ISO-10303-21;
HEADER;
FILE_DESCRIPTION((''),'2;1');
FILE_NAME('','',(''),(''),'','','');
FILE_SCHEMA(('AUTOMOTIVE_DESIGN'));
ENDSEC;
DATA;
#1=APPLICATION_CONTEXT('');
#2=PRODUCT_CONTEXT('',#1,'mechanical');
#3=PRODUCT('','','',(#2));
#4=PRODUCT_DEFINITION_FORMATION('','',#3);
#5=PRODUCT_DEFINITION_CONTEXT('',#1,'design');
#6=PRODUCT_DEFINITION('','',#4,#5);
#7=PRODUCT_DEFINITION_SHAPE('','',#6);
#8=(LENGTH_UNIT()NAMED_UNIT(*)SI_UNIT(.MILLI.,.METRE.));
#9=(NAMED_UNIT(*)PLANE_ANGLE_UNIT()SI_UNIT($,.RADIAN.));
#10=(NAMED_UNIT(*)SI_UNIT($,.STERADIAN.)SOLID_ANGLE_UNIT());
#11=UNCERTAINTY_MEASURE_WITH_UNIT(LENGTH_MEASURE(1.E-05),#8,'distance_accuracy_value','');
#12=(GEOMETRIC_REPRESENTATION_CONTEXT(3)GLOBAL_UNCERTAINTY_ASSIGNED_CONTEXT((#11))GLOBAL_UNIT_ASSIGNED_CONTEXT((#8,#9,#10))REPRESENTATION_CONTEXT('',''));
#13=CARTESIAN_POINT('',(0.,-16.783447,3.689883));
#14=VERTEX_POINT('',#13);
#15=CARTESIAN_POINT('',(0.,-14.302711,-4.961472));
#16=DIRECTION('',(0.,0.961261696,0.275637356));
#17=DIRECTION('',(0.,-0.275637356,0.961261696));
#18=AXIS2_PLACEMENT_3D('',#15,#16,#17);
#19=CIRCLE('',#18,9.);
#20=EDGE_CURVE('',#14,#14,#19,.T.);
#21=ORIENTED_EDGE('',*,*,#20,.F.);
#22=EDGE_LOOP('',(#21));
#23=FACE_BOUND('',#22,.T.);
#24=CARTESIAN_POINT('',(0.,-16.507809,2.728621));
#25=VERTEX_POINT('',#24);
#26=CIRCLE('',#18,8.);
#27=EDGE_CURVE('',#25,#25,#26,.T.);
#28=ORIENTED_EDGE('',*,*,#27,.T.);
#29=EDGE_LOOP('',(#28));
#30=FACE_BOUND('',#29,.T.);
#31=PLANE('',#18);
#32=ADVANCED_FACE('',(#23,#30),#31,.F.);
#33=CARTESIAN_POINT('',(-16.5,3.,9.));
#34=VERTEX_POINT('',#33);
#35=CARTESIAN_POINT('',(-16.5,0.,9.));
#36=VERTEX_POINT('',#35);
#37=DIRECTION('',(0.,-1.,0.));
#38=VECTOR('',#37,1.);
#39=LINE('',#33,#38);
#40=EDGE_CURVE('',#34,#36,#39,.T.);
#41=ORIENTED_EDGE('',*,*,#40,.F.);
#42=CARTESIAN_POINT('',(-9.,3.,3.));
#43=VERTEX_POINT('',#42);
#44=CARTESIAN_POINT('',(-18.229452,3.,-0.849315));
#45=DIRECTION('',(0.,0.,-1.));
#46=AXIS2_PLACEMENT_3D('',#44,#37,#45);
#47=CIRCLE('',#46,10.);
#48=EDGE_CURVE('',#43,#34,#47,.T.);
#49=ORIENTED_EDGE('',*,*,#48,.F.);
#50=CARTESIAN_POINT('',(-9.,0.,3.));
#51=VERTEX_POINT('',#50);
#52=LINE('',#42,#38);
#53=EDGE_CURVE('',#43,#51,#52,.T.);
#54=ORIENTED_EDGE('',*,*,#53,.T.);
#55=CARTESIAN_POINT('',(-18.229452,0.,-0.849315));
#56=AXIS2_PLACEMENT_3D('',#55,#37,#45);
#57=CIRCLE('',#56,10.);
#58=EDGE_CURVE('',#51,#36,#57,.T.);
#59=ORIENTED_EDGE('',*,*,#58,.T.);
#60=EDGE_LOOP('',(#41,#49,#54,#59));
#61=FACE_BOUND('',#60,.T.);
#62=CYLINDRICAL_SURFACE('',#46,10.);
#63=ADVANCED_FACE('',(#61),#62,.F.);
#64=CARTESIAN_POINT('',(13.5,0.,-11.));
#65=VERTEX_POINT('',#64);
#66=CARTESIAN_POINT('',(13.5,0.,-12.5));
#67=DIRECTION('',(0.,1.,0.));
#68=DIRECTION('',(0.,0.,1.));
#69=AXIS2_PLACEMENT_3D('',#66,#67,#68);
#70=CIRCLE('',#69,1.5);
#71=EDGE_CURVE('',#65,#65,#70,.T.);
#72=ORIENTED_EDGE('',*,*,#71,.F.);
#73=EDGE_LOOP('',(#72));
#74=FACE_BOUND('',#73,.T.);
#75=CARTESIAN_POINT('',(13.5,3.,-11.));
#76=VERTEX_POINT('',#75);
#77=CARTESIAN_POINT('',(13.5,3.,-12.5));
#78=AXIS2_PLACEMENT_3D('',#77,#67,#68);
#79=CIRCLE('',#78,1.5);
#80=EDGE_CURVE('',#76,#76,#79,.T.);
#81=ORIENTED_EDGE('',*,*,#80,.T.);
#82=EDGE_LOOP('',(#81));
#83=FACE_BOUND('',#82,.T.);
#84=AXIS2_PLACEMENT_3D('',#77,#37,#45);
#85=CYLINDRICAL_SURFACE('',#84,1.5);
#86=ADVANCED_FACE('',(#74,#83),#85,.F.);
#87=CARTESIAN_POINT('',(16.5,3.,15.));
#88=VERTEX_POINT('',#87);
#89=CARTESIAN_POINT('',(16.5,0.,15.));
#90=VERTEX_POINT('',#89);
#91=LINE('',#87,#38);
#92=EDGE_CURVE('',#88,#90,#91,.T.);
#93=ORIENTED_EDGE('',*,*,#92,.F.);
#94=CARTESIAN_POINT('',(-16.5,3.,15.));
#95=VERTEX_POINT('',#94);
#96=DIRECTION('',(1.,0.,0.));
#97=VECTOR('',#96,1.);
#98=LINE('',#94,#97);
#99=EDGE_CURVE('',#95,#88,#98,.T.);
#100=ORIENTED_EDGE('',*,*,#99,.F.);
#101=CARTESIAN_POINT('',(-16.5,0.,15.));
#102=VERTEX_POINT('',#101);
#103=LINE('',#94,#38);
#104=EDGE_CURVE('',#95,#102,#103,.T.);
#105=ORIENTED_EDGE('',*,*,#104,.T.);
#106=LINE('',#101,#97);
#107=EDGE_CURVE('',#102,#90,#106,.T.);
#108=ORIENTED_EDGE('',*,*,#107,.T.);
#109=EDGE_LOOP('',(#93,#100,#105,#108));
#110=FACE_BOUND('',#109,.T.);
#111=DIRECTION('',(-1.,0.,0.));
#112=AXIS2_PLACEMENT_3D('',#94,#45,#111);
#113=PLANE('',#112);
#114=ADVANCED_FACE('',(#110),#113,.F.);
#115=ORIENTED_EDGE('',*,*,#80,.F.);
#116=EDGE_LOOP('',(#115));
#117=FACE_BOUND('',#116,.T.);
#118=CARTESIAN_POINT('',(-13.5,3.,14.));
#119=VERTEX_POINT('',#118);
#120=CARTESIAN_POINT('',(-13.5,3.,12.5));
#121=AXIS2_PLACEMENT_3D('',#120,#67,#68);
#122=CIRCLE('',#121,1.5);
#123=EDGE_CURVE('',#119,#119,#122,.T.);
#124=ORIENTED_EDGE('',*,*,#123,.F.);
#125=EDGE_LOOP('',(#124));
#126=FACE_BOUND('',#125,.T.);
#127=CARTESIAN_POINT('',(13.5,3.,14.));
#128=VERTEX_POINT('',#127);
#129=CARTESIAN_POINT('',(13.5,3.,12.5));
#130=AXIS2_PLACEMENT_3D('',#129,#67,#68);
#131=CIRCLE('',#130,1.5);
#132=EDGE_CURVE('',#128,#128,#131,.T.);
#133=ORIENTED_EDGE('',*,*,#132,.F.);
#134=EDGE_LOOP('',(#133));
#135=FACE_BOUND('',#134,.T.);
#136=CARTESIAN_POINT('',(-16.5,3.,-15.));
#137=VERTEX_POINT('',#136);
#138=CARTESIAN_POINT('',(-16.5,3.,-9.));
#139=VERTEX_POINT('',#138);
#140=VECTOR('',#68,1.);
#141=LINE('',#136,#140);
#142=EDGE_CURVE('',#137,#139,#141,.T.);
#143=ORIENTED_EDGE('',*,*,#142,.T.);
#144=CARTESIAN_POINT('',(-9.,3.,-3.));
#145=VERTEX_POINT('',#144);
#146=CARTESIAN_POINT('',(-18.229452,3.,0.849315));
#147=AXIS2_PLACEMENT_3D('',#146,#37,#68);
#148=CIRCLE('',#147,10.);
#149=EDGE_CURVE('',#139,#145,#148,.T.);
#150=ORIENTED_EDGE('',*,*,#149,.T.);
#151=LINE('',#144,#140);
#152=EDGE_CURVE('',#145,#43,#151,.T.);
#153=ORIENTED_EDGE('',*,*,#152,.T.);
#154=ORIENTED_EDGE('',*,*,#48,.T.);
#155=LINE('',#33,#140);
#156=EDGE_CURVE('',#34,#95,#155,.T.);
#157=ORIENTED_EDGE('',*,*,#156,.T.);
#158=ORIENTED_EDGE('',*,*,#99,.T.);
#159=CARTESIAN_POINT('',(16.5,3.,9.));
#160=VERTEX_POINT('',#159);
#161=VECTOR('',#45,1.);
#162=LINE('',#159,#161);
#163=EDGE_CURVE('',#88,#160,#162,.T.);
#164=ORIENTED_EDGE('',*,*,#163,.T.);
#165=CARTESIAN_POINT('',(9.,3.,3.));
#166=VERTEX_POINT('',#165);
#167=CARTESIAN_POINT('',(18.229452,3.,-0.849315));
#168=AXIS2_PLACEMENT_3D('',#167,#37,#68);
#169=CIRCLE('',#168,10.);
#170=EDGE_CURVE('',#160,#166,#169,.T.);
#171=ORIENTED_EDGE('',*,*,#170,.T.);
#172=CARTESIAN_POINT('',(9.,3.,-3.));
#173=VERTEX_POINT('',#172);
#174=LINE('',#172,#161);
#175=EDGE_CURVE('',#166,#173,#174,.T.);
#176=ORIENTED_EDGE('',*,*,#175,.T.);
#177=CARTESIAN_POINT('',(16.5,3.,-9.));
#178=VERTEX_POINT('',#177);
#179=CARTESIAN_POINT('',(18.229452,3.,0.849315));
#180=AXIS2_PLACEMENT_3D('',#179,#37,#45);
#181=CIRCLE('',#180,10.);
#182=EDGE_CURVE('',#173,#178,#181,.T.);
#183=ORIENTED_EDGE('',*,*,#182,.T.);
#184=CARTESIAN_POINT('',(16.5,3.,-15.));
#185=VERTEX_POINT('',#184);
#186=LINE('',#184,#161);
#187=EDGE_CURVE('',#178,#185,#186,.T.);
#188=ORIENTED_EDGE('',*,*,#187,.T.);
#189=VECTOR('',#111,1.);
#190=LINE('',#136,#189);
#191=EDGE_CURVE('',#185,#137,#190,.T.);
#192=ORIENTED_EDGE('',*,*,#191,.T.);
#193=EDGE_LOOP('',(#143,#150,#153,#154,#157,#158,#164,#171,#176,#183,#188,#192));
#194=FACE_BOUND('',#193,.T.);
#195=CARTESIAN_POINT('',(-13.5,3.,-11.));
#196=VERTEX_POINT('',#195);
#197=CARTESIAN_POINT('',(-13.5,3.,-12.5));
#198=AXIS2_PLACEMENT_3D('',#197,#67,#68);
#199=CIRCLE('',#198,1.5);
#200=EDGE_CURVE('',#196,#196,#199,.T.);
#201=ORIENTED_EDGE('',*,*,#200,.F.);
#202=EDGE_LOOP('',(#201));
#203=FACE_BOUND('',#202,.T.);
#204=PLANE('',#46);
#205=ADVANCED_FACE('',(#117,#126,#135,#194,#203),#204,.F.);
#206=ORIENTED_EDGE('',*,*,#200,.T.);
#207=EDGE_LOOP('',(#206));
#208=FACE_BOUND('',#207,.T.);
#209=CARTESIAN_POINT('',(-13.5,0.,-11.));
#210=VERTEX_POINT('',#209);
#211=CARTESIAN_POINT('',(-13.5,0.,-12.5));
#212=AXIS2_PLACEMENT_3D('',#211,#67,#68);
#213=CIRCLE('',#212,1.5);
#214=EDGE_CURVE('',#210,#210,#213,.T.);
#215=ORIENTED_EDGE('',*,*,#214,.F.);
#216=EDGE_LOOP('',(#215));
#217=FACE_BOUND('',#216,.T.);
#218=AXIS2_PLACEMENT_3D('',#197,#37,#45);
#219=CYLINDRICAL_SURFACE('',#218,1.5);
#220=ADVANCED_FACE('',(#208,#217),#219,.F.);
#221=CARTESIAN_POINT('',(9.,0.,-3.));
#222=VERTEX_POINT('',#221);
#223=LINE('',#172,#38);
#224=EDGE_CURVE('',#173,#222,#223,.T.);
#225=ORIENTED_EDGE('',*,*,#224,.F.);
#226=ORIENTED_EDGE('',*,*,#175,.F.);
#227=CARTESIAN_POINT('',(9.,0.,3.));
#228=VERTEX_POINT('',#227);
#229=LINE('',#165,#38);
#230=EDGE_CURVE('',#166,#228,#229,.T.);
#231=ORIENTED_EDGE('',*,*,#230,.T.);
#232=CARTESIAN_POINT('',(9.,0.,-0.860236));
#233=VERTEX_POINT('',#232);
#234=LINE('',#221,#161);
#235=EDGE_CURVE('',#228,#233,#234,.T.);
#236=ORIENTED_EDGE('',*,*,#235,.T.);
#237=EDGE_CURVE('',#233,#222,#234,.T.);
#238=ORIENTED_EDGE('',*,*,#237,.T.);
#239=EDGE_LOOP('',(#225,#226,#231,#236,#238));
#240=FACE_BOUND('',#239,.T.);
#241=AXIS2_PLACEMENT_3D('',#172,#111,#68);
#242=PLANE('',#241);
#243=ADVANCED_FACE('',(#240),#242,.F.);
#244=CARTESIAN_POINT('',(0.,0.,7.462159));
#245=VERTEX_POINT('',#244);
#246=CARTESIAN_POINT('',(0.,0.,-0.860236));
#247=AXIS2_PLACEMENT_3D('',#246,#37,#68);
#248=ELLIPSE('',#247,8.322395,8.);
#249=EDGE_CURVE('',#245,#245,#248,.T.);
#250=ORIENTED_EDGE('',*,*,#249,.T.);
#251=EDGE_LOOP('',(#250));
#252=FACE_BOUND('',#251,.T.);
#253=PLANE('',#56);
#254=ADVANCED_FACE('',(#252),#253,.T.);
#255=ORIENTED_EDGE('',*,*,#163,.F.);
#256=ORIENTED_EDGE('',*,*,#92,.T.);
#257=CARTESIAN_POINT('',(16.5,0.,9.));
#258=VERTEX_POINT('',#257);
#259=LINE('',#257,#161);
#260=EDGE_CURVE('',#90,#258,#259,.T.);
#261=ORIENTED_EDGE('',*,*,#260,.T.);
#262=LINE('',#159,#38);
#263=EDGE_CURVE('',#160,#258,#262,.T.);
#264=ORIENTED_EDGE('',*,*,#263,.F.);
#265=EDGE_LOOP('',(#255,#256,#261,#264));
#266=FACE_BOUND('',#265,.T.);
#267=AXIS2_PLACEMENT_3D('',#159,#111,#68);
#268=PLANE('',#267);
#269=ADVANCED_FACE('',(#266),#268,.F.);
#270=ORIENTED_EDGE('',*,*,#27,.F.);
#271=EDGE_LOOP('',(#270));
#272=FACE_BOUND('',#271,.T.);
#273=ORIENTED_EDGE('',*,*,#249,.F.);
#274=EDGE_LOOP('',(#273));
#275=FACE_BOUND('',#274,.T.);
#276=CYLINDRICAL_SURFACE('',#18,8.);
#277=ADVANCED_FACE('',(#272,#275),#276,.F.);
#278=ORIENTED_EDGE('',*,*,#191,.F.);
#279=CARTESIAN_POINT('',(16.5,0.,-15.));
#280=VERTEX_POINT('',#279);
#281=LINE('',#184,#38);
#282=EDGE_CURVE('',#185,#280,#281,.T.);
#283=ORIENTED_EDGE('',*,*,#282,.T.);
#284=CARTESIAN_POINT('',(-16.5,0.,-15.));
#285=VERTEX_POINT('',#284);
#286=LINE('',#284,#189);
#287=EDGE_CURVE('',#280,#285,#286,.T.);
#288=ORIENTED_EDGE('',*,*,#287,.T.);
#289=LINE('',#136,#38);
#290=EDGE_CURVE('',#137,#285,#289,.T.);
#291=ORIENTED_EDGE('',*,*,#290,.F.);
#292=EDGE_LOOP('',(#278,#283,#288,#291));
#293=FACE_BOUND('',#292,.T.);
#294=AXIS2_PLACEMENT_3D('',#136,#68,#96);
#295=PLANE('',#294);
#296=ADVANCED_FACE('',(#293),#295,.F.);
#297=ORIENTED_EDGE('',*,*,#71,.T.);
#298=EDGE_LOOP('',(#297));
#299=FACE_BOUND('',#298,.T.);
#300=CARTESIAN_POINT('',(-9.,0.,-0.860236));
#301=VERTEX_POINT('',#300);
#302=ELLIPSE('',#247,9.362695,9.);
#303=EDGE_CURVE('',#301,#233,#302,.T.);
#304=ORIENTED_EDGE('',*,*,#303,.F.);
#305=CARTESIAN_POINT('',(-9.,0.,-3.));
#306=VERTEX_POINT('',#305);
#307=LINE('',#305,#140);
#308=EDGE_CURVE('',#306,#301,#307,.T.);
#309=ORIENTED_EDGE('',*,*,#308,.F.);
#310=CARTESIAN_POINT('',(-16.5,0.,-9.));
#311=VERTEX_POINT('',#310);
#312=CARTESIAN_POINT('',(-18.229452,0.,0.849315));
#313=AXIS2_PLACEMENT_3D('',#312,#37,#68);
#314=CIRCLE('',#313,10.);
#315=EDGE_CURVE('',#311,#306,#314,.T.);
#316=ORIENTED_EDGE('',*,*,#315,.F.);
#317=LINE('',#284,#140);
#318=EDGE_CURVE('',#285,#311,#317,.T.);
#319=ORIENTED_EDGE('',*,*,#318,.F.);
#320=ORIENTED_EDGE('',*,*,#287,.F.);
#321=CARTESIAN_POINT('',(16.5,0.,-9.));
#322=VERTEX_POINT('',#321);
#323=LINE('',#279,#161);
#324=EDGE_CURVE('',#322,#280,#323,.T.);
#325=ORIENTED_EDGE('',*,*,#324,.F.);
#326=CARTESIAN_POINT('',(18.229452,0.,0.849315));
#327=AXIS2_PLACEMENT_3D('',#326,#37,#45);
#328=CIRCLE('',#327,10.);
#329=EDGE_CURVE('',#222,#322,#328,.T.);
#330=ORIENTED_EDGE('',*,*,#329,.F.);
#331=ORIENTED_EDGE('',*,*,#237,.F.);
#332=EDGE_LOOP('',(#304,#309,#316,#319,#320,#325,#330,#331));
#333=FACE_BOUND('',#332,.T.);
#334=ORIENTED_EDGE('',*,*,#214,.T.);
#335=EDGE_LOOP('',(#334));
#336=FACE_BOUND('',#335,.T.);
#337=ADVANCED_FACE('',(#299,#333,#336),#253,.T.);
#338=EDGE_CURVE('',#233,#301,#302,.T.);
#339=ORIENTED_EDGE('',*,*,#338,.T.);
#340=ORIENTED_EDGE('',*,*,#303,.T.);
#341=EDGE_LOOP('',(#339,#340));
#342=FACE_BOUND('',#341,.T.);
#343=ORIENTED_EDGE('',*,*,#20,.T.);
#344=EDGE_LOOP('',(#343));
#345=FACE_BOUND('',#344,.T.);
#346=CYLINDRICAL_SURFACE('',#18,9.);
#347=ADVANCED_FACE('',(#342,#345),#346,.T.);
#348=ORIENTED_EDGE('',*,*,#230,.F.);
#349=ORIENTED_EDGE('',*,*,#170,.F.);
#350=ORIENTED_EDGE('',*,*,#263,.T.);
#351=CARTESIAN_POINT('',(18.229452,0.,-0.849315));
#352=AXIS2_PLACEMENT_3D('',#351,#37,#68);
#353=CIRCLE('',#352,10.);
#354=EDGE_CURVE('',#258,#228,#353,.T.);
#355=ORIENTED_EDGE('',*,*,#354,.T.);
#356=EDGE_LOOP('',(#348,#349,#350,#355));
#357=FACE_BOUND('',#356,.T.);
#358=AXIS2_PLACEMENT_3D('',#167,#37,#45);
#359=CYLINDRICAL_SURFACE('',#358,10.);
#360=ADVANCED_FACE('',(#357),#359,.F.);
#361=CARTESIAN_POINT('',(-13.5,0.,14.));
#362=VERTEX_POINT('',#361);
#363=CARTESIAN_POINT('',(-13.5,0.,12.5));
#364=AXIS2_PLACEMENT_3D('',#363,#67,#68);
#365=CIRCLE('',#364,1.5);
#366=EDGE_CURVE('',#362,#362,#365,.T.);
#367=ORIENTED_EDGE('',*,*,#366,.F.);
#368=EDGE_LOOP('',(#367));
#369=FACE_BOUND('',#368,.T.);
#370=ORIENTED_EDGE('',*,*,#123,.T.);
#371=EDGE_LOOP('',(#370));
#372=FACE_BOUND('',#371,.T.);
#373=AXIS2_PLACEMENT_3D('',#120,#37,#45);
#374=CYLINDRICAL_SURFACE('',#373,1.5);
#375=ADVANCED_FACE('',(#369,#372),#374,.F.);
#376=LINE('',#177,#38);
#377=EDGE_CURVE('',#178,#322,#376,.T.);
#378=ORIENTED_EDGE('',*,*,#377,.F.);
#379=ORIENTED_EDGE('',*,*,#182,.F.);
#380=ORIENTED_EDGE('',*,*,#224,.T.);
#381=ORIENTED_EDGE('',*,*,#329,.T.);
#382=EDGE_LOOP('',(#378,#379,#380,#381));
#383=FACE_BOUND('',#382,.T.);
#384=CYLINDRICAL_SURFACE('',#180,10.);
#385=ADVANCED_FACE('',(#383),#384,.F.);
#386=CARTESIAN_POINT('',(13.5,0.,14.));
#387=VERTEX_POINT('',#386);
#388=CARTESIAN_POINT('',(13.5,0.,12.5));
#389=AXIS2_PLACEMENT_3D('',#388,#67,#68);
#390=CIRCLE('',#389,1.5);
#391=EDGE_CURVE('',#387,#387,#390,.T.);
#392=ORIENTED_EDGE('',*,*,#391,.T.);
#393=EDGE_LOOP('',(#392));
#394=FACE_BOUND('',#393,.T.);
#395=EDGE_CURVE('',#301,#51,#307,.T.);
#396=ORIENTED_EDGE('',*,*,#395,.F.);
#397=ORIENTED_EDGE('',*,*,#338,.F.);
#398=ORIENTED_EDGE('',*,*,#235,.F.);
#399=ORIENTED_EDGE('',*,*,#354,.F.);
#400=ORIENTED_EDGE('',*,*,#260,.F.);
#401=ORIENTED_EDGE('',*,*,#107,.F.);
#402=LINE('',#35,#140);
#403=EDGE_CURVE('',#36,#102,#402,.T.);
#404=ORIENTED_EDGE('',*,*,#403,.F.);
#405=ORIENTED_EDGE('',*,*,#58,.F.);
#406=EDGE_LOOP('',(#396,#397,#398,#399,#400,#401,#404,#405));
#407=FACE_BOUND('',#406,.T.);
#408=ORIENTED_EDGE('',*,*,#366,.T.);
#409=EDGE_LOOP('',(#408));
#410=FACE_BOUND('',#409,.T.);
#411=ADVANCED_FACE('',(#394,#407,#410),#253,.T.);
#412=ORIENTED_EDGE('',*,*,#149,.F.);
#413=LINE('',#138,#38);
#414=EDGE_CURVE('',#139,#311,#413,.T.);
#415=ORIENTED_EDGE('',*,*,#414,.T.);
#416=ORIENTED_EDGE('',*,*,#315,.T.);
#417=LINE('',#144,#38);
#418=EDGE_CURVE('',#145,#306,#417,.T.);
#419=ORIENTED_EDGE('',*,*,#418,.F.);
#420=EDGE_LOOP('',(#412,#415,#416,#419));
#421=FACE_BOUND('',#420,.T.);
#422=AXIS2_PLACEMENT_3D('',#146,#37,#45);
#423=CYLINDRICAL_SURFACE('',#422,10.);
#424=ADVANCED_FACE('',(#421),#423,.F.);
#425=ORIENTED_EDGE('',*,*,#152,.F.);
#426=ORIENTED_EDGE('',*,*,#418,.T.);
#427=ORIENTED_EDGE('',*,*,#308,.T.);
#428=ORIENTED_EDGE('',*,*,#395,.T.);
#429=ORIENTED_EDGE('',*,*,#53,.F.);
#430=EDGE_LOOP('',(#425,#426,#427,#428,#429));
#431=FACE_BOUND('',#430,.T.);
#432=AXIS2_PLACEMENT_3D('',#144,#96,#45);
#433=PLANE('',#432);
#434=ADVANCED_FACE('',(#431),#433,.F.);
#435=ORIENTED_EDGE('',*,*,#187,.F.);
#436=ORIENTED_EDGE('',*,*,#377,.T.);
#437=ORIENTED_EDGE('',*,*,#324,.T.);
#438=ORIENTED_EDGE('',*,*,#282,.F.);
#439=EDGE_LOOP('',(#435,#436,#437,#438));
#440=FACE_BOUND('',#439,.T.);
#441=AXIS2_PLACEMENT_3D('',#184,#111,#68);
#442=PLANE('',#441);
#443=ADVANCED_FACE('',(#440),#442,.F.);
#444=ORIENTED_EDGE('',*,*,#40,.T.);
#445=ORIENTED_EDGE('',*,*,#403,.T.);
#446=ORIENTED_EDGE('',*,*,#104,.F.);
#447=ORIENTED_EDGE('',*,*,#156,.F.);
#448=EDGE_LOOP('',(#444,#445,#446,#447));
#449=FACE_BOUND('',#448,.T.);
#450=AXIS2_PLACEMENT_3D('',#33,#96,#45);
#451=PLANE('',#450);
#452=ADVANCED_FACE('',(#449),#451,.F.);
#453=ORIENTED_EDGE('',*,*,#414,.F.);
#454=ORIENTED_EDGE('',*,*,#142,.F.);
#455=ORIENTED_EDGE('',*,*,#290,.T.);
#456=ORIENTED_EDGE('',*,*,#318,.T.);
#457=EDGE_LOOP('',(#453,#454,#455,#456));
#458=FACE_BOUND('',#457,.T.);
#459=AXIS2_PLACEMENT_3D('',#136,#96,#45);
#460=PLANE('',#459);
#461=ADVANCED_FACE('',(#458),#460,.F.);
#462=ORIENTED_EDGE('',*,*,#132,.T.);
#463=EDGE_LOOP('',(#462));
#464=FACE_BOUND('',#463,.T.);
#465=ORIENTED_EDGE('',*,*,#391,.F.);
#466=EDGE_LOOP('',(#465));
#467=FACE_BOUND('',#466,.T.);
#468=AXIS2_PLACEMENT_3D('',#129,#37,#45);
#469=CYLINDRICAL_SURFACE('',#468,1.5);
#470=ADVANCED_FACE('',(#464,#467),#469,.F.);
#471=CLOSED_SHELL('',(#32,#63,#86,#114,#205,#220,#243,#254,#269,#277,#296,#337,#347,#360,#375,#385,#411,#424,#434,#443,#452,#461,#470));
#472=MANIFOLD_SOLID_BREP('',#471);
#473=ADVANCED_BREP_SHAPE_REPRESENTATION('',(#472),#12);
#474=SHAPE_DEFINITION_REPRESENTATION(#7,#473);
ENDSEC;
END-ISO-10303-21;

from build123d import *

# Parameters (mm, degrees)
SKETCH_1_R          = 1.5
EXTRUDE_1_DEPTH     = 3
SKETCH_3_R          = 9
SKETCH_3_R_2        = 8
EXTRUDE_2_DEPTH     = 18
SKETCH_4_W          = 18
SKETCH_4_H          = 2.480736202
CUT_EXTRUDE_1_DEPTH = 30


with BuildPart() as part:
    # 草图1 → 凸台-拉伸1 (new body)
    with BuildSketch(Plane(origin=(0, 0, 0), x_dir=(1, 0, 0), z_dir=(0, 1, 0))):
        with BuildLine():
            Line((-16.5, 15), (16.5, 15))
            Line((16.5, 15), (16.5, 9))
            ThreePointArc((16.5, 9), (11.982501162, 6.959373548), (9, 3))
            Line((9, 3), (9, -3))
            ThreePointArc((9, -3), (11.982501162, -6.959373548), (16.5, -9))
            Line((16.5, -9), (16.5, -15))
            Line((16.5, -15), (-16.5, -15))
            Line((-16.5, -15), (-16.5, -9))
            ThreePointArc((-16.5, -9), (-11.982501162, -6.959373548), (-9, -3))
            Line((-9, -3), (-9, 3))
            ThreePointArc((-9, 3), (-11.982501162, 6.959373548), (-16.5, 9))
            Line((-16.5, 9), (-16.5, 15))
        make_face()
        with Locations(Location((-13.5, 12.5, 0), (0, 0, 270))):
            Circle(SKETCH_1_R, mode=Mode.SUBTRACT)
        with Locations(Location((13.5, 12.5, 0), (0, 0, 270))):
            Circle(SKETCH_1_R, mode=Mode.SUBTRACT)
        with Locations(Location((13.5, -12.5, 0), (0, 0, 270))):
            Circle(SKETCH_1_R, mode=Mode.SUBTRACT)
        with Locations(Location((-13.5, -12.5, 0), (0, 0, 270))):
            Circle(SKETCH_1_R, mode=Mode.SUBTRACT)
    extrude(amount=EXTRUDE_1_DEPTH)

    # 草图3 → 凸台-拉伸2 (add)
    with BuildSketch(Plane(origin=(0, 2.772072144, 0.794878896), x_dir=(1, 0, 0), z_dir=(0, 0.9612616959383188, 0.27563735581699983))):
        with Locations(Location((0, 0.826912067, 0), (0, 0, 270))):
            Circle(SKETCH_3_R)
        with Locations(Location((0, 0.826912067, 0), (0, 0, 270))):
            Circle(SKETCH_3_R_2, mode=Mode.SUBTRACT)
    extrude(amount=-EXTRUDE_2_DEPTH)

    # 草图4 → 切除-拉伸1 (cut)
    with BuildSketch(Plane.XY.offset(15)):
        with Locations((0, 4.240368101)):
            Rectangle(SKETCH_4_W, SKETCH_4_H)
    extrude(amount=-CUT_EXTRUDE_1_DEPTH, mode=Mode.SUBTRACT)


solid = part.part
